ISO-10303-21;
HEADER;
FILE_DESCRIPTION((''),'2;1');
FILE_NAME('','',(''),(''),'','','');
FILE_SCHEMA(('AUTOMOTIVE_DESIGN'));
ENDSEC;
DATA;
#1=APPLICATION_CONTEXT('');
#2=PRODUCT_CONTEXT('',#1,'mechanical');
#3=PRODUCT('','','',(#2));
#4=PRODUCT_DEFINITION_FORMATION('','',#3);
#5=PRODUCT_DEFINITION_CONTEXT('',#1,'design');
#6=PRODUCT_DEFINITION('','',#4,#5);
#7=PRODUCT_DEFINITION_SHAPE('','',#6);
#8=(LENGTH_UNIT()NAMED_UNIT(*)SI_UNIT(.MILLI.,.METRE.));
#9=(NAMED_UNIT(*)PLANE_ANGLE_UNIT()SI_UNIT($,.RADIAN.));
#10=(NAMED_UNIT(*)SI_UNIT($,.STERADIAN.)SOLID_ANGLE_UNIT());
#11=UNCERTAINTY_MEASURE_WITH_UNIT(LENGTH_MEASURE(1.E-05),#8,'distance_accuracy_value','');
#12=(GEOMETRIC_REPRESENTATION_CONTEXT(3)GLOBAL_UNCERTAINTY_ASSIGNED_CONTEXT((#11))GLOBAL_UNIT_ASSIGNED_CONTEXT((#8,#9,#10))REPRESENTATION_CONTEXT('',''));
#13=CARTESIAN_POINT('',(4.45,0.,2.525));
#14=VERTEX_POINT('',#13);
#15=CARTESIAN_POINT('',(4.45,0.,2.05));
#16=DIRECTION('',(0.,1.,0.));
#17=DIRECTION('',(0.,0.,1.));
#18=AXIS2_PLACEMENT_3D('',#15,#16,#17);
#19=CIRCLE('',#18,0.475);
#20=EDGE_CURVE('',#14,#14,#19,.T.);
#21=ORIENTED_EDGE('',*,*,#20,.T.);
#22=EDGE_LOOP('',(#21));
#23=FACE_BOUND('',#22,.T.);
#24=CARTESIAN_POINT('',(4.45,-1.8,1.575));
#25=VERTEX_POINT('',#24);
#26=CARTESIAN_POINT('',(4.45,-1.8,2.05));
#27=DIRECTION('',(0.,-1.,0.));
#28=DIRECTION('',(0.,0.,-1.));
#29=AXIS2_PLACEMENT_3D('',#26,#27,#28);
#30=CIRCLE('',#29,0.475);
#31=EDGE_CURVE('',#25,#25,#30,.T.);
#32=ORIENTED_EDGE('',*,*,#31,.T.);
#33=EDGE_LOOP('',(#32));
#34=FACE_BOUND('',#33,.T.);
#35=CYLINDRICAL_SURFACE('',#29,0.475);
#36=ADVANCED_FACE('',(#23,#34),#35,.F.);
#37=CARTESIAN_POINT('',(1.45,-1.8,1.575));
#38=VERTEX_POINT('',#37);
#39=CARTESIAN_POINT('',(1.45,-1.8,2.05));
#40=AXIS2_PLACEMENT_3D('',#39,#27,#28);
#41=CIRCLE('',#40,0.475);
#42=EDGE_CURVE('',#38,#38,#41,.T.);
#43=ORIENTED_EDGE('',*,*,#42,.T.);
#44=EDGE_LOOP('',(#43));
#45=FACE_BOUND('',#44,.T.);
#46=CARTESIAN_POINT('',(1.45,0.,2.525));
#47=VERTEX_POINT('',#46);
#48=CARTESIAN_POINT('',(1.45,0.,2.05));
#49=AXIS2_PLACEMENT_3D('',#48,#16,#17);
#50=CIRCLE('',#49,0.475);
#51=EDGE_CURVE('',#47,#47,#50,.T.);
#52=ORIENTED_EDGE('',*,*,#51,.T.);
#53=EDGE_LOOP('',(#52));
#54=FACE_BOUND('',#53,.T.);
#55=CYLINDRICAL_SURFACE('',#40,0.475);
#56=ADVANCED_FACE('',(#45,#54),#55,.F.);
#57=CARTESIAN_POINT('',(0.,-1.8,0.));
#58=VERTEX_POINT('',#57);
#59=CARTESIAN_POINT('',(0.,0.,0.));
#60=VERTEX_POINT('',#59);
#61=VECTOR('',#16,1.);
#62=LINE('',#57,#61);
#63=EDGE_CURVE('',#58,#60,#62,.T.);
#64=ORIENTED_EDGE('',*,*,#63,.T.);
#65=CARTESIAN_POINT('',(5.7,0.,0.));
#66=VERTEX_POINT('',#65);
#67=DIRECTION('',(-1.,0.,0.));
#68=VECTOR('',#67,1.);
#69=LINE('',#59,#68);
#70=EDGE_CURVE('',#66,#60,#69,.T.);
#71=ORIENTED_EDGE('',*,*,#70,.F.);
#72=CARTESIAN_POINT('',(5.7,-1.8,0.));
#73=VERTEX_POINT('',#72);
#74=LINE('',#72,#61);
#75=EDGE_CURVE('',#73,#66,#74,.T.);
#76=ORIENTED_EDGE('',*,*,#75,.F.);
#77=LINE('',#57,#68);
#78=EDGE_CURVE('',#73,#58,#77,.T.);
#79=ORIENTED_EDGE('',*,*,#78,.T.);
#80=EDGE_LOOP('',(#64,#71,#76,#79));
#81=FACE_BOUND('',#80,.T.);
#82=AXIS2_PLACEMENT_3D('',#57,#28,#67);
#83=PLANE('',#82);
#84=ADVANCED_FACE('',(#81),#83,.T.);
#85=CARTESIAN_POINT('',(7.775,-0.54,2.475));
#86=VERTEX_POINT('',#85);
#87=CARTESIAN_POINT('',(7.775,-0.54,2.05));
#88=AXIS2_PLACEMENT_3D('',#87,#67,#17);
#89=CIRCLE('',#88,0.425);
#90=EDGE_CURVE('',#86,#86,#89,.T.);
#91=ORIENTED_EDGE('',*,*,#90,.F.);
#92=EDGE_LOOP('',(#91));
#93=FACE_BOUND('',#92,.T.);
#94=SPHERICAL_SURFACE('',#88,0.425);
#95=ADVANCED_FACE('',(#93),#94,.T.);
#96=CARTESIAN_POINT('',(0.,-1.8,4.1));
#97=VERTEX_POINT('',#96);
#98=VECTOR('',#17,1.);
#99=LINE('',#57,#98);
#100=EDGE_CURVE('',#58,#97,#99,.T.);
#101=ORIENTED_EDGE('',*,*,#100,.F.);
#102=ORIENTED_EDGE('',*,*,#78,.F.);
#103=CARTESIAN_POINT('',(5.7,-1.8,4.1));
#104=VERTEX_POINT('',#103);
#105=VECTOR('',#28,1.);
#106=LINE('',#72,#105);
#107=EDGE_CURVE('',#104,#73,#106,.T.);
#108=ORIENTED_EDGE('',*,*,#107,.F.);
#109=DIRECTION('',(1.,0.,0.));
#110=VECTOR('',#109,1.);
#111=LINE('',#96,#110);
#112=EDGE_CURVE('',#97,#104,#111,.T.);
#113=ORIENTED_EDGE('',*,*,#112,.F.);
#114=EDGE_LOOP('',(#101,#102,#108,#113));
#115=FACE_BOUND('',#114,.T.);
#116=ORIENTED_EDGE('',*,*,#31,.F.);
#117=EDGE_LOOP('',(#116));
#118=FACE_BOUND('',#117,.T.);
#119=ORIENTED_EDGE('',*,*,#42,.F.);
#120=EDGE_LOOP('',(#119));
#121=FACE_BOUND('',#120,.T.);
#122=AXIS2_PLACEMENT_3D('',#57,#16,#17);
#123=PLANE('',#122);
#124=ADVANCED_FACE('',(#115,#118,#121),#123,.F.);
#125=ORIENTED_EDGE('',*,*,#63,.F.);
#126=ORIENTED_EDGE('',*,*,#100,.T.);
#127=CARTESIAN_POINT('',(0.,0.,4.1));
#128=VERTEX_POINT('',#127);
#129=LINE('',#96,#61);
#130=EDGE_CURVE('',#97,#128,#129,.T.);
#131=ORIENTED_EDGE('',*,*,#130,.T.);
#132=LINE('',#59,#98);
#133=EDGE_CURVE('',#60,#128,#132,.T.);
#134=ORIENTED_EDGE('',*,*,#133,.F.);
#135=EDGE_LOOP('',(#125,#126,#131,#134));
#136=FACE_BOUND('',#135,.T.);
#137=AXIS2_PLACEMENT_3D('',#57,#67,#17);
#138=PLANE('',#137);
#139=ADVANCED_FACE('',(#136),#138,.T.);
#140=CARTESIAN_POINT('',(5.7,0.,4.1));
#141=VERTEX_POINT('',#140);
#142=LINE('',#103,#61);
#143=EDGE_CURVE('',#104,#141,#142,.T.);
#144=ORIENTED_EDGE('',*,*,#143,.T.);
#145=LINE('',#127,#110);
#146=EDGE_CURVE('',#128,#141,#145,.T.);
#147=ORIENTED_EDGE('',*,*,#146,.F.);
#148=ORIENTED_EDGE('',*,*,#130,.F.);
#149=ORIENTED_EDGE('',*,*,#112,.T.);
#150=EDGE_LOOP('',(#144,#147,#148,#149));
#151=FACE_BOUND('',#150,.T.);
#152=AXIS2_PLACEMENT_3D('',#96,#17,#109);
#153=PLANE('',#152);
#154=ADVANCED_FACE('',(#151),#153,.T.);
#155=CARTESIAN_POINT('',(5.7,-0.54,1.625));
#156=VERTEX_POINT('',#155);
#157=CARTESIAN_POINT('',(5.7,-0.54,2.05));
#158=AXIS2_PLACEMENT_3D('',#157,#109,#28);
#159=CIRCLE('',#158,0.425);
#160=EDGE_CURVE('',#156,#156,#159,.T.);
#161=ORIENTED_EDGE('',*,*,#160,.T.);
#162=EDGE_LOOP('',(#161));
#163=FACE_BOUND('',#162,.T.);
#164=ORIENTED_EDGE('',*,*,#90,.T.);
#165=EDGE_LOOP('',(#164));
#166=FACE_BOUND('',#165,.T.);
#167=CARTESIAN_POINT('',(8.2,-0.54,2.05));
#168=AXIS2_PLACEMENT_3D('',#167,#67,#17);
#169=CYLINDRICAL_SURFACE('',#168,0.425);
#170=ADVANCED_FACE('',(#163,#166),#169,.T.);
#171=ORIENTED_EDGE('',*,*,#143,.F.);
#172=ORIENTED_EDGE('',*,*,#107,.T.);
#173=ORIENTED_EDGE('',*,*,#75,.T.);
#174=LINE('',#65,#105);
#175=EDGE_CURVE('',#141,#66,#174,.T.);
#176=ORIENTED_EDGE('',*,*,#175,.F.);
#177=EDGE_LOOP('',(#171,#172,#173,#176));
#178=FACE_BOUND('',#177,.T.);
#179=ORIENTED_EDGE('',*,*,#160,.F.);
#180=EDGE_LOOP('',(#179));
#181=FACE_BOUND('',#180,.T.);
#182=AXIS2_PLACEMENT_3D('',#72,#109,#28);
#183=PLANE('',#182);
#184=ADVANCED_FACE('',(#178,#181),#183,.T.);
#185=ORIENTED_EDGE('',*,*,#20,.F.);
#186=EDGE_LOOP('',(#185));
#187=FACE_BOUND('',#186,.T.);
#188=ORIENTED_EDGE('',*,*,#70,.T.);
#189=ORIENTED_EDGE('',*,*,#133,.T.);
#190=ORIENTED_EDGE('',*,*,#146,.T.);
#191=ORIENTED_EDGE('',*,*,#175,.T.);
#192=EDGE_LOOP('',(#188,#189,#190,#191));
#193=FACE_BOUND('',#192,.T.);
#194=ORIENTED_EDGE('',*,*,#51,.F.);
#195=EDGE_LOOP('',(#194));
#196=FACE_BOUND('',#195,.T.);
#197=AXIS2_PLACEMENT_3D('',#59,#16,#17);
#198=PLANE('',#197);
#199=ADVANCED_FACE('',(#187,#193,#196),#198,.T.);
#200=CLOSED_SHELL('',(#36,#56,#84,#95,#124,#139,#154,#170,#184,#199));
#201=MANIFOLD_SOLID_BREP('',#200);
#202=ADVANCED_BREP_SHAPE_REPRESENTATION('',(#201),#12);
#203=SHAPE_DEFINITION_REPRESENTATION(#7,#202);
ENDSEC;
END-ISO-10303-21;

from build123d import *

# Parameters (mm, degrees)
SKETCH1_W                    = 5.7
SKETCH1_H                    = 4.1
BOSS_EXTRUDE1_DEPTH          = 1.8
SKETCH3_R                    = 0.425
BOSS_EXTRUDE3_DEPTH          = 2.5
FILLET2_R                    = 0.425
M1_2X0_25_TAPPED_HOLE1_D     = 0.95
M1_2X0_25_TAPPED_HOLE1_DEPTH = 3.15
M1_2X0_25_TAPPED_HOLE1_TIP   = 0.285408794


with BuildPart() as part:
    # Sketch1 → Boss-Extrude1 (new body)
    with BuildSketch(Plane(origin=(0, 0, 0), x_dir=(1, 0, 0), z_dir=(0, 1, 0))):
        with Locations((2.85, -2.05)):
            Rectangle(SKETCH1_W, SKETCH1_H)
    extrude(amount=-BOSS_EXTRUDE1_DEPTH)

    # Sketch3 → Boss-Extrude3 (add)
    with BuildSketch(Plane(origin=(5.7, 0, 0), x_dir=(0, 0, -1), z_dir=(1, 0, 0))):
        with Locations((-2.05, -0.54)):
            Circle(SKETCH3_R)
    extrude(amount=BOSS_EXTRUDE3_DEPTH)

    # Fillet2
    fillet2_edges = [part.edges().sort_by_distance(p)[0] for p in [
        (8.2, -0.54, 2.475),
    ]]
    fillet(fillet2_edges, radius=FILLET2_R)

    # M1.2x0.25 Tapped Hole1
    with Locations(Plane(origin=(0, -1.8, 0), x_dir=(-1, 0, 0), z_dir=(0, -1, 0))):
        with Locations((-4.45, -2.05), (-1.45, -2.05)):
            Hole(M1_2X0_25_TAPPED_HOLE1_D / 2, depth=M1_2X0_25_TAPPED_HOLE1_DEPTH)
            with Locations((0, 0, -(M1_2X0_25_TAPPED_HOLE1_DEPTH + M1_2X0_25_TAPPED_HOLE1_TIP / 2))):  # 118° drill point
                Cone(0, M1_2X0_25_TAPPED_HOLE1_D / 2, M1_2X0_25_TAPPED_HOLE1_TIP, mode=Mode.SUBTRACT)


solid = part.part
